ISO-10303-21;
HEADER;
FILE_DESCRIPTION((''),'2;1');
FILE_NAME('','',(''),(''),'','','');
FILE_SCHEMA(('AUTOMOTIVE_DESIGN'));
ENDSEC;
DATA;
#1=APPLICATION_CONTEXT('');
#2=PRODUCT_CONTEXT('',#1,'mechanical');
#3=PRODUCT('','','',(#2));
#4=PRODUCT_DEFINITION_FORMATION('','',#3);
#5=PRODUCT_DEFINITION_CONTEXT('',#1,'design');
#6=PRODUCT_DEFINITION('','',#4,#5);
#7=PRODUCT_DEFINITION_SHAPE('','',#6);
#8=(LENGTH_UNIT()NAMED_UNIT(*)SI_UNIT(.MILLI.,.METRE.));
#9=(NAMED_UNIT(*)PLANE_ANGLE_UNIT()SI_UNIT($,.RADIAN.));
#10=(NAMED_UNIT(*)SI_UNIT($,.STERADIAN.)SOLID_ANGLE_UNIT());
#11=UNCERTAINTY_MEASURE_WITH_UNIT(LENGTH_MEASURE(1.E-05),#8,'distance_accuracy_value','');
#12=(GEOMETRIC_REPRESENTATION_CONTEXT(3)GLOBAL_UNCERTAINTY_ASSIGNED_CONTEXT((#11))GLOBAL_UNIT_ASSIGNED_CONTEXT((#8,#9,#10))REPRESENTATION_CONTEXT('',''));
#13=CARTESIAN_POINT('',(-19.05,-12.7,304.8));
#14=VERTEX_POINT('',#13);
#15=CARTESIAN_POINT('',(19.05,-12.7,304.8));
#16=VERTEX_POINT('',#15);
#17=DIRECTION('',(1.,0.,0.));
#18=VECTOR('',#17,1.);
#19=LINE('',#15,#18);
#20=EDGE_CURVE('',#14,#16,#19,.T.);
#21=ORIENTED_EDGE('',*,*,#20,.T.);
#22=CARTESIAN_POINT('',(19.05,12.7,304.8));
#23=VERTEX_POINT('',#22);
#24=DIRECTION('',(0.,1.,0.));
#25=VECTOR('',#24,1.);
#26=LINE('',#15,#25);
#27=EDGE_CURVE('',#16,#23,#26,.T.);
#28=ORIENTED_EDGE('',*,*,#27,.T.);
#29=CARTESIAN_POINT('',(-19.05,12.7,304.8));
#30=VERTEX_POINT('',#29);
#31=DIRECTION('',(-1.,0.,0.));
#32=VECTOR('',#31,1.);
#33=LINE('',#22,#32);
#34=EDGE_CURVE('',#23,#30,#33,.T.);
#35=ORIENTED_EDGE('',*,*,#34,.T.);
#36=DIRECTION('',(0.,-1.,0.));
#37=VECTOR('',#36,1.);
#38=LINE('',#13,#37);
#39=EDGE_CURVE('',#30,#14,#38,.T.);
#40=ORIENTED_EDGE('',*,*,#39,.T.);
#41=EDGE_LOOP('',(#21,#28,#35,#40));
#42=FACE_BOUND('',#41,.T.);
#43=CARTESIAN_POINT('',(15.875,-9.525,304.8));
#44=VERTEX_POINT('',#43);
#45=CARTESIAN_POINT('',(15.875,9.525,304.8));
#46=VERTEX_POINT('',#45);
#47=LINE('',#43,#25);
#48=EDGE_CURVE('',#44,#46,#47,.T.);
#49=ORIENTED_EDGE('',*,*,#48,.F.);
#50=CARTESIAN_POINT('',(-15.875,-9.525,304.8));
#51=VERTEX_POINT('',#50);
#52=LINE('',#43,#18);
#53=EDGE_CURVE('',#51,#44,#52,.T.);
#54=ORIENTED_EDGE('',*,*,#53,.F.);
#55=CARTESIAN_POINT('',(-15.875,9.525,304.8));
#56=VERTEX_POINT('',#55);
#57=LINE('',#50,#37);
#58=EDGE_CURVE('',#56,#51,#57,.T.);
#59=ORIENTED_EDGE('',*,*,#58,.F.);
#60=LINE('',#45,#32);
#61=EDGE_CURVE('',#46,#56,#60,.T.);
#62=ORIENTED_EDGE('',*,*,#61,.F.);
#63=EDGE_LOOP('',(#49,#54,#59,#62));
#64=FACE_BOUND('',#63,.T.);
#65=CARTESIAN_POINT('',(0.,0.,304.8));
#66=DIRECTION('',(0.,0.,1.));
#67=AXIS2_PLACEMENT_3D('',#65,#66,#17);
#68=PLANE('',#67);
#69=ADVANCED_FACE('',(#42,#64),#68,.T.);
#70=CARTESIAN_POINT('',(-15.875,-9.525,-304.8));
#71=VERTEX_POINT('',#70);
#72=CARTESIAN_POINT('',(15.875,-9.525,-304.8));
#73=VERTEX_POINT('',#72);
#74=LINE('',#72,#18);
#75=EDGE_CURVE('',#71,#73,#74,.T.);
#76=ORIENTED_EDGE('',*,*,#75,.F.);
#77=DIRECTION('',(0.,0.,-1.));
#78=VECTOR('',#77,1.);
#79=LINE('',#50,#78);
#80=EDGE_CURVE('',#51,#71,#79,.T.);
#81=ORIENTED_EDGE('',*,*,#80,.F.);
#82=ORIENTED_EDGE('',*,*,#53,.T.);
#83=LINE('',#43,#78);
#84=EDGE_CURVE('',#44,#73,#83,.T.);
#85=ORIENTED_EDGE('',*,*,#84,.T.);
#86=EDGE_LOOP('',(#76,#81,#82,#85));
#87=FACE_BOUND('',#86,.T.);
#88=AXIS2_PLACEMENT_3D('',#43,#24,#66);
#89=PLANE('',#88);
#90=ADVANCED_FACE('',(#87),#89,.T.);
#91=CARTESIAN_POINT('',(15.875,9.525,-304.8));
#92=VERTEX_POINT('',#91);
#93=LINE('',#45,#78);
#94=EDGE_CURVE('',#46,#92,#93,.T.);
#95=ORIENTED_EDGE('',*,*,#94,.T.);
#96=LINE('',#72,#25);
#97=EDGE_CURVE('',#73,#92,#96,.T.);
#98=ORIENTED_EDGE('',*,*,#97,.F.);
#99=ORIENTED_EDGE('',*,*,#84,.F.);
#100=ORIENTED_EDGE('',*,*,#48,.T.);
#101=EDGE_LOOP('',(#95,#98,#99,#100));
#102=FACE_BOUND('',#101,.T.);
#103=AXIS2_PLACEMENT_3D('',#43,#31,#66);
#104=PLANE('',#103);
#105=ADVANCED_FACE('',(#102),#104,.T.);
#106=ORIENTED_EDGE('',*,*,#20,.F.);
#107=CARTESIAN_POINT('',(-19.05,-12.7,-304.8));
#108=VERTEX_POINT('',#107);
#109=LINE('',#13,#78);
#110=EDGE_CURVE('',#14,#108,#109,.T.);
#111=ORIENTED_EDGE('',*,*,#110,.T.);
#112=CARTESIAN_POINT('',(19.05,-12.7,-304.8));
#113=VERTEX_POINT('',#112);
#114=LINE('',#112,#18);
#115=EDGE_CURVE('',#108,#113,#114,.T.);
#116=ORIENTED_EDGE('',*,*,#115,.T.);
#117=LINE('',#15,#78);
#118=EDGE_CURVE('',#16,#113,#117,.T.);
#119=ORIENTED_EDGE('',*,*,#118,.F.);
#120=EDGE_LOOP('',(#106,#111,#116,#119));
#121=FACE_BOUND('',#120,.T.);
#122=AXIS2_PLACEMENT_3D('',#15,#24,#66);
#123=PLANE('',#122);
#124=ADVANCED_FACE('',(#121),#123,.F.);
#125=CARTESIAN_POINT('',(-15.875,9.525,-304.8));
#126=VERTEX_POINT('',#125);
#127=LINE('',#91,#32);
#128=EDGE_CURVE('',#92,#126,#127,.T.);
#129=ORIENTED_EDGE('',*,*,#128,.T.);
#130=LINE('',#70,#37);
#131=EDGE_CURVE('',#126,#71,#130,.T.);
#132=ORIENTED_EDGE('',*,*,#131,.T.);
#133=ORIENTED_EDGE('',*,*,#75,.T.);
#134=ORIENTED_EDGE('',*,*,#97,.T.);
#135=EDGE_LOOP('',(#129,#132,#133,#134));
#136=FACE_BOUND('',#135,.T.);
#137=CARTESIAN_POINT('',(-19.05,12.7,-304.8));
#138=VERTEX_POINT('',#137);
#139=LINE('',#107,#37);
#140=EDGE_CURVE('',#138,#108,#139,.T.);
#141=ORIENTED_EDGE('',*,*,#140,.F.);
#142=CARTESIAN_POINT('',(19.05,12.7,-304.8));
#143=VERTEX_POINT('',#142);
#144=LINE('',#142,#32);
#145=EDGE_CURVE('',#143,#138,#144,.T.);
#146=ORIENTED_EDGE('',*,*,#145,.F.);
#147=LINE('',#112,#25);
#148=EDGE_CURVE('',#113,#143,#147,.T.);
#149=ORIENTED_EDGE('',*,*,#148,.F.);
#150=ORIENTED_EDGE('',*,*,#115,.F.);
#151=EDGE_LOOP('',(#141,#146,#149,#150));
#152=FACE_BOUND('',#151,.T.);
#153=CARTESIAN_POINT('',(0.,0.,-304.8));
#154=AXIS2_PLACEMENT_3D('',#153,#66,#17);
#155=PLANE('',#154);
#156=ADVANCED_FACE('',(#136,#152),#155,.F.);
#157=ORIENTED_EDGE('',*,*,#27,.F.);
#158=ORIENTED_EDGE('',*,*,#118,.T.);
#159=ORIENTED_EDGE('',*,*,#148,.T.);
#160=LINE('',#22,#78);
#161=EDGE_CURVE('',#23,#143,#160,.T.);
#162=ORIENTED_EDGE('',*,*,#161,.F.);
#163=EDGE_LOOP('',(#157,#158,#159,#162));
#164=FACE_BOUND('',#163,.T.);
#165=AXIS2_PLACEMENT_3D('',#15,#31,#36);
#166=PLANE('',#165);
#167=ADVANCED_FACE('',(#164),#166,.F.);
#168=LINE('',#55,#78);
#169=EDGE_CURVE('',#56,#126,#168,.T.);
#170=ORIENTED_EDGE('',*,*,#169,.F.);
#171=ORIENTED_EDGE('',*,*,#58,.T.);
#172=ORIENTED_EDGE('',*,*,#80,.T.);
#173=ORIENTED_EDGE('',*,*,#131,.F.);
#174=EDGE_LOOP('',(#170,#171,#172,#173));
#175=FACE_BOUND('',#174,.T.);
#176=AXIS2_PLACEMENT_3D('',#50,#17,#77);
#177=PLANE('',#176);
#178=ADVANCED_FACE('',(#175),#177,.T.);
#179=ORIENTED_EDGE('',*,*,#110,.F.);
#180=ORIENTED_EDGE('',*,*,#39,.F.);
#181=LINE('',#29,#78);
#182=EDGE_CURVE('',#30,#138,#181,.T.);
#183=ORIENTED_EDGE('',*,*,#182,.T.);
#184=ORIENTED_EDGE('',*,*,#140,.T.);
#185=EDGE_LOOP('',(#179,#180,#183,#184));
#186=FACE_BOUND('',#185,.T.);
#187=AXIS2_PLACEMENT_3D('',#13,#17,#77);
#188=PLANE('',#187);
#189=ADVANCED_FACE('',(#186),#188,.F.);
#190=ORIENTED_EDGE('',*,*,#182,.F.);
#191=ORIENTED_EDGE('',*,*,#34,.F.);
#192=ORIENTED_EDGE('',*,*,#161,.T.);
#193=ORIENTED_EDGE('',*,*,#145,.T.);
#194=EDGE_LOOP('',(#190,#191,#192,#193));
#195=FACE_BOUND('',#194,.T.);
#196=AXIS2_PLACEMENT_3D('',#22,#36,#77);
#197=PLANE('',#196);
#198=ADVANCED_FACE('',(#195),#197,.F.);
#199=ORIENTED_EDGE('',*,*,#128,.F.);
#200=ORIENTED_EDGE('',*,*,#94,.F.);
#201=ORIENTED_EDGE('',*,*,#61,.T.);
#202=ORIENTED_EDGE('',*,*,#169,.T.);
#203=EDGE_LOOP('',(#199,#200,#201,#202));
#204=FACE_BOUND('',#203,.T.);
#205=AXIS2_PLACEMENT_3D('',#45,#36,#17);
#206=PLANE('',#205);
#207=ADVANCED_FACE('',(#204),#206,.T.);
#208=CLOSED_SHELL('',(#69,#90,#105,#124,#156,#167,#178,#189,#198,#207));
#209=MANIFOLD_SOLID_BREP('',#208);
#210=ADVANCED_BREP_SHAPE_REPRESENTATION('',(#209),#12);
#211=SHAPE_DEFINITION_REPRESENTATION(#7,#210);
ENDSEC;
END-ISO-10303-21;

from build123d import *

# Parameters (mm, degrees)
BOSS_EXTRUDE1_DEPTH      = 304.8
BOSS_EXTRUDE1_DEPTH_BACK = 304.8
SKETCH3_W                = 38.1
SKETCH3_H                = 25.4
SKETCH3_W_2              = 31.75
SKETCH3_H_2              = 19.05


with BuildPart() as part:
    # Sketch3 → Boss-Extrude1 (new, two sides: drawn at the far end of the back side and taken through both)
    with BuildSketch(Plane.XY.offset(-BOSS_EXTRUDE1_DEPTH_BACK)):
        Rectangle(SKETCH3_W, SKETCH3_H)
        Rectangle(SKETCH3_W_2, SKETCH3_H_2, mode=Mode.SUBTRACT)
    extrude(amount=BOSS_EXTRUDE1_DEPTH + BOSS_EXTRUDE1_DEPTH_BACK)


solid = part.part
